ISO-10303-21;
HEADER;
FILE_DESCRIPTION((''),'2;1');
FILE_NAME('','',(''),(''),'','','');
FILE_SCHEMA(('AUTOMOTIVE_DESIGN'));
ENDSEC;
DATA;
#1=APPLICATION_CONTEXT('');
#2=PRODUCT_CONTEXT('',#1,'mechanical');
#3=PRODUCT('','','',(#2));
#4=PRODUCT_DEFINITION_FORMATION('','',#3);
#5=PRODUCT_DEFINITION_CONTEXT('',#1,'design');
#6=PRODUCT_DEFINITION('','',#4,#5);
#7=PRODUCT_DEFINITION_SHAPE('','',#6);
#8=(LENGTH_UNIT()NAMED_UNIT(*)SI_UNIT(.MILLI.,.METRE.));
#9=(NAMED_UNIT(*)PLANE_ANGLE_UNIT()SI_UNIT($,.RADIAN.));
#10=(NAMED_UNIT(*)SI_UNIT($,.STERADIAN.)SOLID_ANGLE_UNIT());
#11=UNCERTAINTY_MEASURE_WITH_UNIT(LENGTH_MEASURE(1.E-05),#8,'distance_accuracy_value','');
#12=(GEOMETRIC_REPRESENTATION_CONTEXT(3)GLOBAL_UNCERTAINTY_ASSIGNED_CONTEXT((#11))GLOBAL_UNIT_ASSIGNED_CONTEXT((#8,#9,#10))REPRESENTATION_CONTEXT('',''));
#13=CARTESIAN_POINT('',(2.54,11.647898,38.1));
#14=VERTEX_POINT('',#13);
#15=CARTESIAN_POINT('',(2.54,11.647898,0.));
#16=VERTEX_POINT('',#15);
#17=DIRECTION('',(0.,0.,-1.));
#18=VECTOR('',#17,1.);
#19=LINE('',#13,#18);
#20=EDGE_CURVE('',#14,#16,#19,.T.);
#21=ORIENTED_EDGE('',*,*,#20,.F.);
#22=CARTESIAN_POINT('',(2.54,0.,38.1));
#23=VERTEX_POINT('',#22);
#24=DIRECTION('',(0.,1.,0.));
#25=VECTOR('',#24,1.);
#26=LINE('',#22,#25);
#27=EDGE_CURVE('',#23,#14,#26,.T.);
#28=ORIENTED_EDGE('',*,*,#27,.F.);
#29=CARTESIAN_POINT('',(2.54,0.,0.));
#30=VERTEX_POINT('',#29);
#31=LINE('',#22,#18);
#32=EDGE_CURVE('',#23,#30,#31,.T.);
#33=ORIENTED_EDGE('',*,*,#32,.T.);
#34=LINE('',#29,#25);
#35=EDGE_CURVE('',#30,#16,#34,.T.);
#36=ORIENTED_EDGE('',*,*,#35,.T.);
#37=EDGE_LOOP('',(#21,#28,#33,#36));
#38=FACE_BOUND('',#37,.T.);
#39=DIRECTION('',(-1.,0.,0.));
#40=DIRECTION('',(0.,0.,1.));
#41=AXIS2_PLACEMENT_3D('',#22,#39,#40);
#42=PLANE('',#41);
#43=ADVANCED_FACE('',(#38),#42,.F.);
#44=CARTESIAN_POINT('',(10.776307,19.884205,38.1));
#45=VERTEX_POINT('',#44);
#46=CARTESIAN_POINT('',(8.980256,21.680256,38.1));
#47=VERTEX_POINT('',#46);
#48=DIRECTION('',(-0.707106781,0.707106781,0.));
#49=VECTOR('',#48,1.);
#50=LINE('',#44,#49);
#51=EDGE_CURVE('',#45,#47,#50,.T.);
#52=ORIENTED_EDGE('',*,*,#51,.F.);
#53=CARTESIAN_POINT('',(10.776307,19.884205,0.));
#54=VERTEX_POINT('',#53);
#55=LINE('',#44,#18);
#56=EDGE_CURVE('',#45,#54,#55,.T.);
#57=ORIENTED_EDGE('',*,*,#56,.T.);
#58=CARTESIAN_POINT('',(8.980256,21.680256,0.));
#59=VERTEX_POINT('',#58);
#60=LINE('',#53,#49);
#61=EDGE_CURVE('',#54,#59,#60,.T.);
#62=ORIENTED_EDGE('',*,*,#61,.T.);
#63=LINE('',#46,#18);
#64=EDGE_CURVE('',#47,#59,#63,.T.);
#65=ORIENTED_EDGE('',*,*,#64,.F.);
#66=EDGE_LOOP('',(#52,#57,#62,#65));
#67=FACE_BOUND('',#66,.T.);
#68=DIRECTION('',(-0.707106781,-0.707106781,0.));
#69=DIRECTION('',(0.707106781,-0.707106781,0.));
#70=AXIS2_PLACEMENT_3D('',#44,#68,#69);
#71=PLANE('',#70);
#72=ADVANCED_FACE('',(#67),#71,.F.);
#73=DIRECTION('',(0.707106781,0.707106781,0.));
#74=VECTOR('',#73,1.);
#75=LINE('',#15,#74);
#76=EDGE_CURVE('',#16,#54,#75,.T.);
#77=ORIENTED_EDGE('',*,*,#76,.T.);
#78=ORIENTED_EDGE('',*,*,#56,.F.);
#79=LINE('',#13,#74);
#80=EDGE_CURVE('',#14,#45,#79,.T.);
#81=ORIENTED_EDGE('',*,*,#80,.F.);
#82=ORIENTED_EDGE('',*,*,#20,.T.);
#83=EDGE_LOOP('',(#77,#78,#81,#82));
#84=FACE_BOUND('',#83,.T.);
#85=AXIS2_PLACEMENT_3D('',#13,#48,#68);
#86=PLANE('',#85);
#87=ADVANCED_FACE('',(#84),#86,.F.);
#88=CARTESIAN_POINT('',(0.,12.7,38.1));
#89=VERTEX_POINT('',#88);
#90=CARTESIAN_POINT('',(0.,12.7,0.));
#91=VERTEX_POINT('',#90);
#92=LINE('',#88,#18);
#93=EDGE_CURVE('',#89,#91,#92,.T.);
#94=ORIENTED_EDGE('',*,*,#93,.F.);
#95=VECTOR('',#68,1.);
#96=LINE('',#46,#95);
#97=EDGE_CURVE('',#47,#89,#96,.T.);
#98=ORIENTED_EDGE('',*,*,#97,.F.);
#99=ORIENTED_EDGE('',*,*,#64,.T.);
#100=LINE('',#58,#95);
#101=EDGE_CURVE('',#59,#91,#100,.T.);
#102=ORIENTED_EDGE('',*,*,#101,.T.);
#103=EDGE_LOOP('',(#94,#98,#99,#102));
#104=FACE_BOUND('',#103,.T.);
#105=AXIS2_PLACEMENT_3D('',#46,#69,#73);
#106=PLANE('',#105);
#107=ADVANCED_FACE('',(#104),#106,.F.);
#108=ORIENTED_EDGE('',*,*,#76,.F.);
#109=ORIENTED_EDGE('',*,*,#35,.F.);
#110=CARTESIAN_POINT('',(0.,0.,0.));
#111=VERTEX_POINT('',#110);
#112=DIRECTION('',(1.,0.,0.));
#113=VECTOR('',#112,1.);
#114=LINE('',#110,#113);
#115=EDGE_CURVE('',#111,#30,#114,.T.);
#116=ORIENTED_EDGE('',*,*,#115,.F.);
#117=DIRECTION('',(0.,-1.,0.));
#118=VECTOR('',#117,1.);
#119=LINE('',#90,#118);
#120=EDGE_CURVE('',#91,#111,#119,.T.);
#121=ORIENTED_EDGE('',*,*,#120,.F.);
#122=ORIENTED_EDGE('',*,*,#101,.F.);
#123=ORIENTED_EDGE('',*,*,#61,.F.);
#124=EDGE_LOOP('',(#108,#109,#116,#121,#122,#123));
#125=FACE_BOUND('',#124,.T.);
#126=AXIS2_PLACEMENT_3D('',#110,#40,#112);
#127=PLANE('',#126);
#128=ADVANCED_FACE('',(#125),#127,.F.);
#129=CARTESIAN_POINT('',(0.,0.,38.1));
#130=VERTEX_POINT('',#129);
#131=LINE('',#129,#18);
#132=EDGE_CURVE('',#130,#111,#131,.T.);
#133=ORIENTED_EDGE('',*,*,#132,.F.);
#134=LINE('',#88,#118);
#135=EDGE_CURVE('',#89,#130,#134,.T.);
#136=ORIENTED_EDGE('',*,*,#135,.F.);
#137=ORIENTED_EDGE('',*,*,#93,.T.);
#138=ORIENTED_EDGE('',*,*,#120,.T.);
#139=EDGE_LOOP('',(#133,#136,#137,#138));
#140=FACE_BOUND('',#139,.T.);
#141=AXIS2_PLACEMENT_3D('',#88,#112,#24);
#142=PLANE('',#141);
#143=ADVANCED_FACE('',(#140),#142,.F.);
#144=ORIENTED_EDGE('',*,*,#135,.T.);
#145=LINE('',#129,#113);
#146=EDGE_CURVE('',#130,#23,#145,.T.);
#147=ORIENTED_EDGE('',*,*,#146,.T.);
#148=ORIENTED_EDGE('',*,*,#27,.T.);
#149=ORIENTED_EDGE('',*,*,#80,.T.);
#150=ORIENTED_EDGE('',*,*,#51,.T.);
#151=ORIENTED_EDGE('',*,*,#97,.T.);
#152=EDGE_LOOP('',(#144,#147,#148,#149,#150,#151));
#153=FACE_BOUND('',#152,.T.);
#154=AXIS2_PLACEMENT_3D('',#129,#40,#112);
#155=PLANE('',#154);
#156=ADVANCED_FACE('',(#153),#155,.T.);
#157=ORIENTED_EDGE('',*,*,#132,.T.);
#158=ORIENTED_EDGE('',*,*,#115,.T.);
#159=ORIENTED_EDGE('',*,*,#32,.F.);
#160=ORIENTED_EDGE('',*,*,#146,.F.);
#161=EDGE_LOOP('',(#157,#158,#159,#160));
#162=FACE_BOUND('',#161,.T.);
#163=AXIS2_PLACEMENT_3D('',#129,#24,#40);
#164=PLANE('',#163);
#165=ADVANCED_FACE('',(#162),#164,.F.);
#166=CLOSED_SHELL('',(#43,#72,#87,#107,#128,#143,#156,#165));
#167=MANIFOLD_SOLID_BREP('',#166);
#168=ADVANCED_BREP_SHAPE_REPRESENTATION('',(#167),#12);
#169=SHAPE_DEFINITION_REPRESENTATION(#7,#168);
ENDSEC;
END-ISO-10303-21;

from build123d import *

# Parameters (mm, degrees)
BOSS_EXTRUDE1_DEPTH = 38.1


with BuildPart() as part:
    # Sketch1 → Boss-Extrude1 (new body)
    with BuildSketch(Plane.XY):
        Polygon((0, 0), (2.54, 0), (2.54, 11.647897552), (10.776307345, 19.884204897), (8.980256121, 21.680256121), (0, 12.7), align=None)
    extrude(amount=BOSS_EXTRUDE1_DEPTH)


solid = part.part
